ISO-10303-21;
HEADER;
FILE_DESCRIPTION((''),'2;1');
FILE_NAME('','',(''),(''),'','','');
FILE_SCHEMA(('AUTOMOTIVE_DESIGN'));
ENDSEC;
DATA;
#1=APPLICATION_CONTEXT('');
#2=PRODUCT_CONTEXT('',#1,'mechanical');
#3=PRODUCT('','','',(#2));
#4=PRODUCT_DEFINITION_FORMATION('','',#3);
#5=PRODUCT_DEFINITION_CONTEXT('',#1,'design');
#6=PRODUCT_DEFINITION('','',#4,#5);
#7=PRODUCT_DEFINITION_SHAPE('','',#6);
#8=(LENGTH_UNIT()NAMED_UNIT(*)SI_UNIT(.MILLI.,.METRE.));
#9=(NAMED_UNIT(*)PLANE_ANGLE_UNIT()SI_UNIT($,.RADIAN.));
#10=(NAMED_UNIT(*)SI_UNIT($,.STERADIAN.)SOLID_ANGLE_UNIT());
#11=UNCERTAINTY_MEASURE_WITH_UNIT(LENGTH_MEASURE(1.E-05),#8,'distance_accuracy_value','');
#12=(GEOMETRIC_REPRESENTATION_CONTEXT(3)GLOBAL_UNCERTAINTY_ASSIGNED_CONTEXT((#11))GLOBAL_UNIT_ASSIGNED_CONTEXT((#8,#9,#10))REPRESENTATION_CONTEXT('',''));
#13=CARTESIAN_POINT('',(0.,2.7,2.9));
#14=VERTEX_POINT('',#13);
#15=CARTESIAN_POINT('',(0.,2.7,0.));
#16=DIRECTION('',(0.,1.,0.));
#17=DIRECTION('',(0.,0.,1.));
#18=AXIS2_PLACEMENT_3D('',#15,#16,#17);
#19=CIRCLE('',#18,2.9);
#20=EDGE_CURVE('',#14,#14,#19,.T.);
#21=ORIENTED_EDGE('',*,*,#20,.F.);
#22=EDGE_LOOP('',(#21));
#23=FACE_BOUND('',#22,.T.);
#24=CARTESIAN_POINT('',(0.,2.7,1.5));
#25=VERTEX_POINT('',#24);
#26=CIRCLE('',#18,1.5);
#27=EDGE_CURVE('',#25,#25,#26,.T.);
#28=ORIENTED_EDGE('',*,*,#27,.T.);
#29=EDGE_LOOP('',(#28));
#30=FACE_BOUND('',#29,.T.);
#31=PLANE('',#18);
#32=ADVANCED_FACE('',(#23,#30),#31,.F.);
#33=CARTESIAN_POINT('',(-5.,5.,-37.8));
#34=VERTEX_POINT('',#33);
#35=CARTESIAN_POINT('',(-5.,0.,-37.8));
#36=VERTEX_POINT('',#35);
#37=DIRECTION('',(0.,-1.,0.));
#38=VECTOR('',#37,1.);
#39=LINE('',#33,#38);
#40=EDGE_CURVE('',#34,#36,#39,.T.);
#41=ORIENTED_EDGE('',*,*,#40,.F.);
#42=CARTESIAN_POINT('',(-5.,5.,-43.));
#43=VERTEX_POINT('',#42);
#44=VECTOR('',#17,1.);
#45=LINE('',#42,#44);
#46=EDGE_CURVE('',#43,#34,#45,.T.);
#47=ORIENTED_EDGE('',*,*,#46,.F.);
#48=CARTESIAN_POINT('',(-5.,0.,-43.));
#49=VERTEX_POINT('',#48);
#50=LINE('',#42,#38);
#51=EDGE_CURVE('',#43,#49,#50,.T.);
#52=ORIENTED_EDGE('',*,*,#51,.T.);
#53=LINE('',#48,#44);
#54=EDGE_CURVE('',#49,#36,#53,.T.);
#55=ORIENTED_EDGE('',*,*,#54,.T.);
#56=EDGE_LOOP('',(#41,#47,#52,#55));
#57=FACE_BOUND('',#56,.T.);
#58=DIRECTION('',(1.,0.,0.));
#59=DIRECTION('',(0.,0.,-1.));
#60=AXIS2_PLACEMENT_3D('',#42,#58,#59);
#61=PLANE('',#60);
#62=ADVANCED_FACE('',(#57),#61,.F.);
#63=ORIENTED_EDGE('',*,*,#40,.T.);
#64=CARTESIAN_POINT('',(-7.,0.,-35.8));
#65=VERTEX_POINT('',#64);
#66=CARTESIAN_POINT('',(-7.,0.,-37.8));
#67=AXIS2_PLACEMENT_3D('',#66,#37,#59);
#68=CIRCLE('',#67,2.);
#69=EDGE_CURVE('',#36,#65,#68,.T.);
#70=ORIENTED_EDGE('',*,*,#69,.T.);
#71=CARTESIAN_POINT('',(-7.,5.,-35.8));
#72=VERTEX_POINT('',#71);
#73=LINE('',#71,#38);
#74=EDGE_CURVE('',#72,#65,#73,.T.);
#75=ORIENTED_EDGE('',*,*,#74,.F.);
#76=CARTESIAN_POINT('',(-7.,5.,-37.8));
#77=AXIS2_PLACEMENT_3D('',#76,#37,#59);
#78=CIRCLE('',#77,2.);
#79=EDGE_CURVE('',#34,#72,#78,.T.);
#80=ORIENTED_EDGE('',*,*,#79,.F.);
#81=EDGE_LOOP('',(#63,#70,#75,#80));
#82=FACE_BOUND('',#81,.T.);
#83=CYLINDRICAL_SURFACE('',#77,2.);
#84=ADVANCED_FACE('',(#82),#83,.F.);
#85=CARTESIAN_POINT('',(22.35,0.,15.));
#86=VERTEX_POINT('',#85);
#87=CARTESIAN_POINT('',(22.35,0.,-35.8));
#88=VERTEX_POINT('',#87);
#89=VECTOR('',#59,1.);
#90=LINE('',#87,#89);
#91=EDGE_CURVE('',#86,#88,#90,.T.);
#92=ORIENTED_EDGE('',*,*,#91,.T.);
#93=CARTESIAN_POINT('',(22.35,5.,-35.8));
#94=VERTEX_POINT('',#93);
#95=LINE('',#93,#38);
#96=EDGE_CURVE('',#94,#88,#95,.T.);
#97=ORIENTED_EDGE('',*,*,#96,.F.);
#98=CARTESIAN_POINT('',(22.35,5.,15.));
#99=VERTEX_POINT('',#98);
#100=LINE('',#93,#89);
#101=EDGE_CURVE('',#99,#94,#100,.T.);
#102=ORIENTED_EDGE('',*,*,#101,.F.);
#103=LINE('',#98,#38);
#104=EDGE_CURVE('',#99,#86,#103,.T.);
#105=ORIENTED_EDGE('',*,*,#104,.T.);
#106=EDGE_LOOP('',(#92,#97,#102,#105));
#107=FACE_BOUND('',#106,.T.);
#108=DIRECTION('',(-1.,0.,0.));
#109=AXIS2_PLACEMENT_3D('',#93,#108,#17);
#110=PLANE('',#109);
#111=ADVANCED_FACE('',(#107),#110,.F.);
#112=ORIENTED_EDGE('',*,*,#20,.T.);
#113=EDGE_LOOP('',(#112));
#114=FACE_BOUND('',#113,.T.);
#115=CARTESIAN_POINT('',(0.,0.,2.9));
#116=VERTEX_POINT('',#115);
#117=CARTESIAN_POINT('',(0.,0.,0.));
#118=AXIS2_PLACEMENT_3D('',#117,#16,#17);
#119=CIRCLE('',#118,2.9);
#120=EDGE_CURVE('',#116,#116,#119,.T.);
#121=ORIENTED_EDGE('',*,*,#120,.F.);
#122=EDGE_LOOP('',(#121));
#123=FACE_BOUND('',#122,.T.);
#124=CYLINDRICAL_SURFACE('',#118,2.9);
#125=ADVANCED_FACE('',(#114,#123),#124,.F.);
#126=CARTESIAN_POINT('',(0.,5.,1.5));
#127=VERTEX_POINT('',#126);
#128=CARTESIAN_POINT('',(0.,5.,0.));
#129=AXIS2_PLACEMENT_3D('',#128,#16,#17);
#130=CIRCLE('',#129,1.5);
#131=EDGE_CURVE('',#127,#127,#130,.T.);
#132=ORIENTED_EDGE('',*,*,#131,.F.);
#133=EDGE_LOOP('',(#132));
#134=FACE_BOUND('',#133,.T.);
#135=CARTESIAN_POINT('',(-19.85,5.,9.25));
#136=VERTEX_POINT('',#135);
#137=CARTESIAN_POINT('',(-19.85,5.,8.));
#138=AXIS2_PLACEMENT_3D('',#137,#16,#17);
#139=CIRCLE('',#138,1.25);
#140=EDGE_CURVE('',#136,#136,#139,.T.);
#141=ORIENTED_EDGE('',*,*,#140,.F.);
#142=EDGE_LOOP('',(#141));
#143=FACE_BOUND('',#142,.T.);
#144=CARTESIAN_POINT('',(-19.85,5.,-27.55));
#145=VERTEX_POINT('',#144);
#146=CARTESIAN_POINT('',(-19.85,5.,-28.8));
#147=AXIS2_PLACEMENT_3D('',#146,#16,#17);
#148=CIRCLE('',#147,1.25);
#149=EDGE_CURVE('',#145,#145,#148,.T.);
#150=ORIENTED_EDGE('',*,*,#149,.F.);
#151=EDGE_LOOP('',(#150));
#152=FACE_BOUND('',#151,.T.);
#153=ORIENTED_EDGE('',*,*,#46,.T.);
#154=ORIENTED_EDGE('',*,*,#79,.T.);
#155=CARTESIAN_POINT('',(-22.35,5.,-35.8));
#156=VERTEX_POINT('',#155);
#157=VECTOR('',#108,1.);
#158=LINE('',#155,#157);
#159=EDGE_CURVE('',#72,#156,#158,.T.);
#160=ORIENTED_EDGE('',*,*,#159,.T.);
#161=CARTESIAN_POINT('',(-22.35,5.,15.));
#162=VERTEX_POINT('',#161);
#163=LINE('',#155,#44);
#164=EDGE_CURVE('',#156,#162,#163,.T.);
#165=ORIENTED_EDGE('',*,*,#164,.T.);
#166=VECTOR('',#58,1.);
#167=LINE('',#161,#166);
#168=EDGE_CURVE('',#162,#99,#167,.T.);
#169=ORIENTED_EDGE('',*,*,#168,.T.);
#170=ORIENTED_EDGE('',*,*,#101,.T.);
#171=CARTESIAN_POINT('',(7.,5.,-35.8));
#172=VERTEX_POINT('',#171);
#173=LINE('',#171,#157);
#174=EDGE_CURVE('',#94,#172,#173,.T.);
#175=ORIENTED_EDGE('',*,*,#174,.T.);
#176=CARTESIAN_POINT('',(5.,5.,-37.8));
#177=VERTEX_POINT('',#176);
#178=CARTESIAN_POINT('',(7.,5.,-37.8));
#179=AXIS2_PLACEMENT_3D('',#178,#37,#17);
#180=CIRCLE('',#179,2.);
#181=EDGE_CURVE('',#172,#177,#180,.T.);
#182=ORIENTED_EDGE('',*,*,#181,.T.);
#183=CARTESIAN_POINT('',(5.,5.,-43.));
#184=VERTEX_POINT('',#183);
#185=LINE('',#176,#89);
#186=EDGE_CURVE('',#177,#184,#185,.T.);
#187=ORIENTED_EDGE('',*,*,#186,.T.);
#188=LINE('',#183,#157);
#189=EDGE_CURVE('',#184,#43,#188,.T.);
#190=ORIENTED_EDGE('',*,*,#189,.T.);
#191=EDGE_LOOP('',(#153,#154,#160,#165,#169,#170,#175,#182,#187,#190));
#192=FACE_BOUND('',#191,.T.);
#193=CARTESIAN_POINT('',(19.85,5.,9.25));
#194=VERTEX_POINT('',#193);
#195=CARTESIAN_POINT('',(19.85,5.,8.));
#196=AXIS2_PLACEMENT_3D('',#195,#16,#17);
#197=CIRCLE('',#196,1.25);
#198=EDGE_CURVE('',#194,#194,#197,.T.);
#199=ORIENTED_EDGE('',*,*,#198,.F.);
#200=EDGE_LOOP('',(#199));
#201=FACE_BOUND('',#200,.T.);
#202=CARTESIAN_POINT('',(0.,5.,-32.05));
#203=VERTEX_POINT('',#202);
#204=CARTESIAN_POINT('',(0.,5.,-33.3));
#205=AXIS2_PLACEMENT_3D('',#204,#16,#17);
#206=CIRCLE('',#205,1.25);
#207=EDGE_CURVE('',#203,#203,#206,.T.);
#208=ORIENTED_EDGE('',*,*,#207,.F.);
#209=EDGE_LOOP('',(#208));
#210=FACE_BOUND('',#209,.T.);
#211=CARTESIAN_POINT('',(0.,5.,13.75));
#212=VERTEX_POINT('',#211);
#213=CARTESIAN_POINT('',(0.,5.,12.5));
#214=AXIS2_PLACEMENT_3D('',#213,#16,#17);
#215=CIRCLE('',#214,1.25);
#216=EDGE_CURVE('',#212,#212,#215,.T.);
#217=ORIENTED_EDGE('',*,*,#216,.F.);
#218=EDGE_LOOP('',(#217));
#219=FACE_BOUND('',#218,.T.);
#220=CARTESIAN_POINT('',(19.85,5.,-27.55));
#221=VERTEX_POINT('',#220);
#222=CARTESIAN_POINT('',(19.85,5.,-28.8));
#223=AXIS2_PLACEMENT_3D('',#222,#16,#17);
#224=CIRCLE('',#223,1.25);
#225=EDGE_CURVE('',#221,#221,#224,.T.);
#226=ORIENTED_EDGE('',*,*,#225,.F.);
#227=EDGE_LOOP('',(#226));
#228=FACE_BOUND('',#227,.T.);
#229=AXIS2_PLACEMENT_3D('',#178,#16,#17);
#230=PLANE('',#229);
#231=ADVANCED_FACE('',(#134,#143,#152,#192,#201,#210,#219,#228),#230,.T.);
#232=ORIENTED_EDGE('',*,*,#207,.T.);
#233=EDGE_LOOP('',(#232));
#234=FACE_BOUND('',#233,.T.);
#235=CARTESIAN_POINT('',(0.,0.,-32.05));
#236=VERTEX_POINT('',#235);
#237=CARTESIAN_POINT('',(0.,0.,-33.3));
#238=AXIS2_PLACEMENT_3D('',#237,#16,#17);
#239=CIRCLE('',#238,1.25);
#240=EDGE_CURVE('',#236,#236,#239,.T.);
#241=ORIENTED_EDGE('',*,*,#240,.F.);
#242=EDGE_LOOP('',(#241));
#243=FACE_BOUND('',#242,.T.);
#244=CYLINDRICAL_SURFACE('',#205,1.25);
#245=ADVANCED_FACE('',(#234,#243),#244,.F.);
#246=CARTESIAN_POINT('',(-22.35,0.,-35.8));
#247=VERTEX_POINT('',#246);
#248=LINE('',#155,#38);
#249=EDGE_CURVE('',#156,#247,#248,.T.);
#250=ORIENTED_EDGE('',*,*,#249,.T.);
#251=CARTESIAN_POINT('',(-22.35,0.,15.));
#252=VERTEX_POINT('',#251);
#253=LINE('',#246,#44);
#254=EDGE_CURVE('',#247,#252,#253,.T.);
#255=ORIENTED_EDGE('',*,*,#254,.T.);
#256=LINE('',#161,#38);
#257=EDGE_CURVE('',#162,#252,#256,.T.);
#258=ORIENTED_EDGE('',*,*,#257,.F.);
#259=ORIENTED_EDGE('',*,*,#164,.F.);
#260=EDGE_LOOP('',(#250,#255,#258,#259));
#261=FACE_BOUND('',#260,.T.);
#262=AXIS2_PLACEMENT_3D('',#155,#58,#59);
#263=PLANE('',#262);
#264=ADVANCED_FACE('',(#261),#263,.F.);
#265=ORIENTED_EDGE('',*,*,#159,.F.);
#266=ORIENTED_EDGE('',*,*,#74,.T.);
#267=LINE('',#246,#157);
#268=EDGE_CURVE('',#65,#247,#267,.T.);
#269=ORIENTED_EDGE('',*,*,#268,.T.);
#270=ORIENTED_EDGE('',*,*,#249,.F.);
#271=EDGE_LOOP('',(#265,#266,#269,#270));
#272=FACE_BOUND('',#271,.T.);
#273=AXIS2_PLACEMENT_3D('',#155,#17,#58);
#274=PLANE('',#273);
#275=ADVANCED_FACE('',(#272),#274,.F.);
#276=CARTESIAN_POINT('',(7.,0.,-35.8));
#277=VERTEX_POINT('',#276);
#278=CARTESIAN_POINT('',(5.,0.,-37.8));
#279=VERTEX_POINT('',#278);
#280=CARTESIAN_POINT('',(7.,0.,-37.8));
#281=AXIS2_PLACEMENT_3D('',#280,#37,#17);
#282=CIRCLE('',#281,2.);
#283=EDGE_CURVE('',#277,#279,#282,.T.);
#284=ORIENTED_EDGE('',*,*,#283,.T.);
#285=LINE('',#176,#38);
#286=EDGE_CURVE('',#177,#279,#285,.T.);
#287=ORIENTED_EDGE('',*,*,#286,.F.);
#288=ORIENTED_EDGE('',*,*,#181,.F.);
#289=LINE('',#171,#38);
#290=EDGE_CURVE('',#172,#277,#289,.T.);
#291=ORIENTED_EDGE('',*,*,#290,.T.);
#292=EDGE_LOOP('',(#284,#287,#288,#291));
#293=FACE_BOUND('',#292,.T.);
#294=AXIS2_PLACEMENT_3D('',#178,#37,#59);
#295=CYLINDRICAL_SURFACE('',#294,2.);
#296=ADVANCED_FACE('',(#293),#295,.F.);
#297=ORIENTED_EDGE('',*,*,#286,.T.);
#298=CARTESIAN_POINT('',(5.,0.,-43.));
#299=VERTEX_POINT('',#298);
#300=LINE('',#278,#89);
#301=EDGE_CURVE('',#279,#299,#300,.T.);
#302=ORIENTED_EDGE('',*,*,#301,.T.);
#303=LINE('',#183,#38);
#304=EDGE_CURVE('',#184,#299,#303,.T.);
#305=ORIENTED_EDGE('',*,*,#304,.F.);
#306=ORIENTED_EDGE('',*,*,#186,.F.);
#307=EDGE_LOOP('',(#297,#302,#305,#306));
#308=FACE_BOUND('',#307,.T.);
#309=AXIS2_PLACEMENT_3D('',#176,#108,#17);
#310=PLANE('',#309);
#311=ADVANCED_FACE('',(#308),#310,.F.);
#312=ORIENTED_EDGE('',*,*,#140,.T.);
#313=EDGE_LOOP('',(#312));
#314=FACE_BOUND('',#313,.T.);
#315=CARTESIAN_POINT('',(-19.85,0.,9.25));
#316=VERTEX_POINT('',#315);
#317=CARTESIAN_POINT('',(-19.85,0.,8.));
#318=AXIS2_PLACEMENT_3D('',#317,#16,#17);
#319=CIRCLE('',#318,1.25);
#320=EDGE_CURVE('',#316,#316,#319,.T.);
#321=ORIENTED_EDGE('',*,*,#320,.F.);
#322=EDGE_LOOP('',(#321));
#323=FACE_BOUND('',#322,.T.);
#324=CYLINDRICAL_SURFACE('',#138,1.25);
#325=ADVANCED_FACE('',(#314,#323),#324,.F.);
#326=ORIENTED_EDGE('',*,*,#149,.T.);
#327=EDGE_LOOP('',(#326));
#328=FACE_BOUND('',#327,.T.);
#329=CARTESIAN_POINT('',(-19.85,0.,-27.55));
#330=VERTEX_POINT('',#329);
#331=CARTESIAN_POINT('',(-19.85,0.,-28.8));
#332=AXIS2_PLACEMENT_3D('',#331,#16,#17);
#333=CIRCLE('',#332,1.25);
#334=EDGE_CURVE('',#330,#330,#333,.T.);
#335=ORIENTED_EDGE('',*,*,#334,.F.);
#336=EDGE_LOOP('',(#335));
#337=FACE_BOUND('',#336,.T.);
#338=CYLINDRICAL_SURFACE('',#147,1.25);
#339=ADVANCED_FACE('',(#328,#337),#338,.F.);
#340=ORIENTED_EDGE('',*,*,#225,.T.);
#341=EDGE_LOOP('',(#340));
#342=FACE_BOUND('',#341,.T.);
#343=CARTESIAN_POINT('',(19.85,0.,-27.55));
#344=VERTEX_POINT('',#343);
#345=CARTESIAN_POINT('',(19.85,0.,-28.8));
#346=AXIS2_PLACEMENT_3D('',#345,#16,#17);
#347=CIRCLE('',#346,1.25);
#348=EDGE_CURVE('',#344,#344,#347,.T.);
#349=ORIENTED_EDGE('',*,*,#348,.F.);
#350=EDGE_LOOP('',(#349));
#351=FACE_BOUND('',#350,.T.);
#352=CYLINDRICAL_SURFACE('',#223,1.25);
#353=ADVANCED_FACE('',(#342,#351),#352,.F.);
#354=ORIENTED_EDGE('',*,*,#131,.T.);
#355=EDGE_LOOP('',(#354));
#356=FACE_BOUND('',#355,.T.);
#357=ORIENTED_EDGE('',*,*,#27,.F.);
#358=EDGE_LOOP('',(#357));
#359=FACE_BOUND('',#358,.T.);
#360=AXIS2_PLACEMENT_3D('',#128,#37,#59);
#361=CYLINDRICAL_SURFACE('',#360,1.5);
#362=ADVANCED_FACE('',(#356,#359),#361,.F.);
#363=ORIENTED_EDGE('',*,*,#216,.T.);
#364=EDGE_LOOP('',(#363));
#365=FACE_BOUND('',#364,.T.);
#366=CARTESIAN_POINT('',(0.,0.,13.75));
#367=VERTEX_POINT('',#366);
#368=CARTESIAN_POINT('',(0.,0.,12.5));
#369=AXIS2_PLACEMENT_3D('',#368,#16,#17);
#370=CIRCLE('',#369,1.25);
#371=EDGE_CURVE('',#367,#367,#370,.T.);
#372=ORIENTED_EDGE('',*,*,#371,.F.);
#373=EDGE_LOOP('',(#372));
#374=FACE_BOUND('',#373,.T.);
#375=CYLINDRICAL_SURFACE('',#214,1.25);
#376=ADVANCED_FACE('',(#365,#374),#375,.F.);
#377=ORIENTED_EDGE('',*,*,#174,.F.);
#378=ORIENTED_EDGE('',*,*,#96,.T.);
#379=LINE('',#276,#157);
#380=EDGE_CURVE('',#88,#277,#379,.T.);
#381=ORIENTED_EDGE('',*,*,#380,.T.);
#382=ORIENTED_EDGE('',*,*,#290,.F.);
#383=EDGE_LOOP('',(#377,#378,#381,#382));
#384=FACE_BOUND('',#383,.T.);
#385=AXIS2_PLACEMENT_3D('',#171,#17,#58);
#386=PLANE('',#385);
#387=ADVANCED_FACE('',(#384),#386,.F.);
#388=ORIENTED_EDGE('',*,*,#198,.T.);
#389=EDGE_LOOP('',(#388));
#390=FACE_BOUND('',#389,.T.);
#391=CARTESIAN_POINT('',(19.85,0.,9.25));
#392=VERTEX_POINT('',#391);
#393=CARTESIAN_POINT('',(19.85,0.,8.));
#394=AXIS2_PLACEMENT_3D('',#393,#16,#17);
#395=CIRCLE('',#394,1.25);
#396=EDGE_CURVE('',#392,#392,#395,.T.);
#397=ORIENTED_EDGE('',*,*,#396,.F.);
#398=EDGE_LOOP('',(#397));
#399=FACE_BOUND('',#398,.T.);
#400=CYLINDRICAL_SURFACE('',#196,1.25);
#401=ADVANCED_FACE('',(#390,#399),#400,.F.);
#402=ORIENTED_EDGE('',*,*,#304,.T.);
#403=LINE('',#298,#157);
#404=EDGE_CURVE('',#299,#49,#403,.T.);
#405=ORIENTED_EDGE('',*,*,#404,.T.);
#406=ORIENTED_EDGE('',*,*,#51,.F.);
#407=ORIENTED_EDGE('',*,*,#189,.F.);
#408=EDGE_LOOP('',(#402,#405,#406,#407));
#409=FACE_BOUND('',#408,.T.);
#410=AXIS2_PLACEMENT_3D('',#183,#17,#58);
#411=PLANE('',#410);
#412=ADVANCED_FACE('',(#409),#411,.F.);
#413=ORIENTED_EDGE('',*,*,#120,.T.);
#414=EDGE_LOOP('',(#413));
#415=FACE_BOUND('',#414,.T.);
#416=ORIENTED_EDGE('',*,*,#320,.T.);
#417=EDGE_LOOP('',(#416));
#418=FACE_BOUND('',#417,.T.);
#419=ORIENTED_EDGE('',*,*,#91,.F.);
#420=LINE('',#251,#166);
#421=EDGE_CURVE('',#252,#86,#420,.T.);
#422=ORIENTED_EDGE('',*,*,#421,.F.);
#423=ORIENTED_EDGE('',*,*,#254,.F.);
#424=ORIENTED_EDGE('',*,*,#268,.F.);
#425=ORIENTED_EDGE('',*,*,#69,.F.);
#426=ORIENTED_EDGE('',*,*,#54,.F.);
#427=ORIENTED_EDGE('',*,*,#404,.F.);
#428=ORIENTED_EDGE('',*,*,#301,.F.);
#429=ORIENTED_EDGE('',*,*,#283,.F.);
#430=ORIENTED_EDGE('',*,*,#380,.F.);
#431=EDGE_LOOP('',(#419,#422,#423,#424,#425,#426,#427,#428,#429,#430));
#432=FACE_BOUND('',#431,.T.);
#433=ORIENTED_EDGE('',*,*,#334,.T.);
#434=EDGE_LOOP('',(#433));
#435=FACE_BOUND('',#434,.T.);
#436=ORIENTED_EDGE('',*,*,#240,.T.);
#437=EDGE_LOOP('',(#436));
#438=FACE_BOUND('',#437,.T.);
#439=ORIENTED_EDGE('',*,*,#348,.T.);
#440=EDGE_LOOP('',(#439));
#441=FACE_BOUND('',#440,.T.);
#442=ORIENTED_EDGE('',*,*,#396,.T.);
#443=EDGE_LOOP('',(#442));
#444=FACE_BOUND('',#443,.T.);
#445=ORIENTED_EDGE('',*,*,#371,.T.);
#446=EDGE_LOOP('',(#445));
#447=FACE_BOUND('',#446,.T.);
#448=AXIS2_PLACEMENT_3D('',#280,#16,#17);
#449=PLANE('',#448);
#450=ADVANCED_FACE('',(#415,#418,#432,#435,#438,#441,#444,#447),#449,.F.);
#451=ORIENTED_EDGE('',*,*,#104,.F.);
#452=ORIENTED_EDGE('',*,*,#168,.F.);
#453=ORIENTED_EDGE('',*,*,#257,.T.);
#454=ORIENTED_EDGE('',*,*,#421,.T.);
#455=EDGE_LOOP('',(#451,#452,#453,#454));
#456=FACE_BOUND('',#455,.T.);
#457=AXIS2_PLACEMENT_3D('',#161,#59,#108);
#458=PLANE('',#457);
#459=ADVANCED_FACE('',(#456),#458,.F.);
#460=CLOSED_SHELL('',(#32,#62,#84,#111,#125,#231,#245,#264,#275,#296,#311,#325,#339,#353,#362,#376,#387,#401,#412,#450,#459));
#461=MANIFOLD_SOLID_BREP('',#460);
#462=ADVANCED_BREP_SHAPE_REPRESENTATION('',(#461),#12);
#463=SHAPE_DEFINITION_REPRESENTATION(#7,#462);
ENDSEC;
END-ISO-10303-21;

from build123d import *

# Parameters (mm, degrees)
ESQUISSE1_R             = 1.5
EXTRUSION1_DEPTH        = 5
TROU_TARAUD_M3X0_51_D   = 2.5
ESQUISSE6_R             = 2.9
ENL_V_MAT_EXTRU_3_DEPTH = 49.536712909


with BuildPart() as part:
    # Esquisse1 → Extrusion1 (new body)
    with BuildSketch(Plane(origin=(0, 0, 0), x_dir=(1, 0, 0), z_dir=(0, 1, 0))):
        with BuildLine():
            Line((-22.35, 35.8), (-7, 35.8))
            ThreePointArc((-7, 35.8), (-5.585786438, 36.385786438), (-5, 37.8))
            Line((-5, 37.8), (-5, 43))
            Line((-5, 43), (5, 43))
            Line((5, 43), (5, 37.8))
            ThreePointArc((5, 37.8), (5.585786438, 36.385786438), (7, 35.8))
            Line((7, 35.8), (22.35, 35.8))
            Line((22.35, 35.8), (22.35, -15))
            Line((22.35, -15), (-22.35, -15))
            Line((-22.35, -15), (-22.35, 35.8))
        make_face()
        Circle(ESQUISSE1_R, mode=Mode.SUBTRACT)
    extrude(amount=EXTRUSION1_DEPTH)

    # Trou taraudé M3x0.51 (through all)
    with Locations(Plane(origin=(0, 5, 0), x_dir=(-1, 0, 0), z_dir=(0, 1, 0))):
        with Locations((0, -33.3), (-19.85, -28.8), (-19.85, 8), (0, 12.5), (19.85, -28.8), (19.85, 8)):
            Hole(TROU_TARAUD_M3X0_51_D / 2)

    # Esquisse6 → Enlèv. mat.-Extru.3 (cut, through all)
    with BuildSketch(Plane(origin=(0, 2.7, 0), x_dir=(1, 0, 0), z_dir=(0, 1, 0))):
        Circle(ESQUISSE6_R)
    extrude(amount=-ENL_V_MAT_EXTRU_3_DEPTH, mode=Mode.SUBTRACT)


solid = part.part
